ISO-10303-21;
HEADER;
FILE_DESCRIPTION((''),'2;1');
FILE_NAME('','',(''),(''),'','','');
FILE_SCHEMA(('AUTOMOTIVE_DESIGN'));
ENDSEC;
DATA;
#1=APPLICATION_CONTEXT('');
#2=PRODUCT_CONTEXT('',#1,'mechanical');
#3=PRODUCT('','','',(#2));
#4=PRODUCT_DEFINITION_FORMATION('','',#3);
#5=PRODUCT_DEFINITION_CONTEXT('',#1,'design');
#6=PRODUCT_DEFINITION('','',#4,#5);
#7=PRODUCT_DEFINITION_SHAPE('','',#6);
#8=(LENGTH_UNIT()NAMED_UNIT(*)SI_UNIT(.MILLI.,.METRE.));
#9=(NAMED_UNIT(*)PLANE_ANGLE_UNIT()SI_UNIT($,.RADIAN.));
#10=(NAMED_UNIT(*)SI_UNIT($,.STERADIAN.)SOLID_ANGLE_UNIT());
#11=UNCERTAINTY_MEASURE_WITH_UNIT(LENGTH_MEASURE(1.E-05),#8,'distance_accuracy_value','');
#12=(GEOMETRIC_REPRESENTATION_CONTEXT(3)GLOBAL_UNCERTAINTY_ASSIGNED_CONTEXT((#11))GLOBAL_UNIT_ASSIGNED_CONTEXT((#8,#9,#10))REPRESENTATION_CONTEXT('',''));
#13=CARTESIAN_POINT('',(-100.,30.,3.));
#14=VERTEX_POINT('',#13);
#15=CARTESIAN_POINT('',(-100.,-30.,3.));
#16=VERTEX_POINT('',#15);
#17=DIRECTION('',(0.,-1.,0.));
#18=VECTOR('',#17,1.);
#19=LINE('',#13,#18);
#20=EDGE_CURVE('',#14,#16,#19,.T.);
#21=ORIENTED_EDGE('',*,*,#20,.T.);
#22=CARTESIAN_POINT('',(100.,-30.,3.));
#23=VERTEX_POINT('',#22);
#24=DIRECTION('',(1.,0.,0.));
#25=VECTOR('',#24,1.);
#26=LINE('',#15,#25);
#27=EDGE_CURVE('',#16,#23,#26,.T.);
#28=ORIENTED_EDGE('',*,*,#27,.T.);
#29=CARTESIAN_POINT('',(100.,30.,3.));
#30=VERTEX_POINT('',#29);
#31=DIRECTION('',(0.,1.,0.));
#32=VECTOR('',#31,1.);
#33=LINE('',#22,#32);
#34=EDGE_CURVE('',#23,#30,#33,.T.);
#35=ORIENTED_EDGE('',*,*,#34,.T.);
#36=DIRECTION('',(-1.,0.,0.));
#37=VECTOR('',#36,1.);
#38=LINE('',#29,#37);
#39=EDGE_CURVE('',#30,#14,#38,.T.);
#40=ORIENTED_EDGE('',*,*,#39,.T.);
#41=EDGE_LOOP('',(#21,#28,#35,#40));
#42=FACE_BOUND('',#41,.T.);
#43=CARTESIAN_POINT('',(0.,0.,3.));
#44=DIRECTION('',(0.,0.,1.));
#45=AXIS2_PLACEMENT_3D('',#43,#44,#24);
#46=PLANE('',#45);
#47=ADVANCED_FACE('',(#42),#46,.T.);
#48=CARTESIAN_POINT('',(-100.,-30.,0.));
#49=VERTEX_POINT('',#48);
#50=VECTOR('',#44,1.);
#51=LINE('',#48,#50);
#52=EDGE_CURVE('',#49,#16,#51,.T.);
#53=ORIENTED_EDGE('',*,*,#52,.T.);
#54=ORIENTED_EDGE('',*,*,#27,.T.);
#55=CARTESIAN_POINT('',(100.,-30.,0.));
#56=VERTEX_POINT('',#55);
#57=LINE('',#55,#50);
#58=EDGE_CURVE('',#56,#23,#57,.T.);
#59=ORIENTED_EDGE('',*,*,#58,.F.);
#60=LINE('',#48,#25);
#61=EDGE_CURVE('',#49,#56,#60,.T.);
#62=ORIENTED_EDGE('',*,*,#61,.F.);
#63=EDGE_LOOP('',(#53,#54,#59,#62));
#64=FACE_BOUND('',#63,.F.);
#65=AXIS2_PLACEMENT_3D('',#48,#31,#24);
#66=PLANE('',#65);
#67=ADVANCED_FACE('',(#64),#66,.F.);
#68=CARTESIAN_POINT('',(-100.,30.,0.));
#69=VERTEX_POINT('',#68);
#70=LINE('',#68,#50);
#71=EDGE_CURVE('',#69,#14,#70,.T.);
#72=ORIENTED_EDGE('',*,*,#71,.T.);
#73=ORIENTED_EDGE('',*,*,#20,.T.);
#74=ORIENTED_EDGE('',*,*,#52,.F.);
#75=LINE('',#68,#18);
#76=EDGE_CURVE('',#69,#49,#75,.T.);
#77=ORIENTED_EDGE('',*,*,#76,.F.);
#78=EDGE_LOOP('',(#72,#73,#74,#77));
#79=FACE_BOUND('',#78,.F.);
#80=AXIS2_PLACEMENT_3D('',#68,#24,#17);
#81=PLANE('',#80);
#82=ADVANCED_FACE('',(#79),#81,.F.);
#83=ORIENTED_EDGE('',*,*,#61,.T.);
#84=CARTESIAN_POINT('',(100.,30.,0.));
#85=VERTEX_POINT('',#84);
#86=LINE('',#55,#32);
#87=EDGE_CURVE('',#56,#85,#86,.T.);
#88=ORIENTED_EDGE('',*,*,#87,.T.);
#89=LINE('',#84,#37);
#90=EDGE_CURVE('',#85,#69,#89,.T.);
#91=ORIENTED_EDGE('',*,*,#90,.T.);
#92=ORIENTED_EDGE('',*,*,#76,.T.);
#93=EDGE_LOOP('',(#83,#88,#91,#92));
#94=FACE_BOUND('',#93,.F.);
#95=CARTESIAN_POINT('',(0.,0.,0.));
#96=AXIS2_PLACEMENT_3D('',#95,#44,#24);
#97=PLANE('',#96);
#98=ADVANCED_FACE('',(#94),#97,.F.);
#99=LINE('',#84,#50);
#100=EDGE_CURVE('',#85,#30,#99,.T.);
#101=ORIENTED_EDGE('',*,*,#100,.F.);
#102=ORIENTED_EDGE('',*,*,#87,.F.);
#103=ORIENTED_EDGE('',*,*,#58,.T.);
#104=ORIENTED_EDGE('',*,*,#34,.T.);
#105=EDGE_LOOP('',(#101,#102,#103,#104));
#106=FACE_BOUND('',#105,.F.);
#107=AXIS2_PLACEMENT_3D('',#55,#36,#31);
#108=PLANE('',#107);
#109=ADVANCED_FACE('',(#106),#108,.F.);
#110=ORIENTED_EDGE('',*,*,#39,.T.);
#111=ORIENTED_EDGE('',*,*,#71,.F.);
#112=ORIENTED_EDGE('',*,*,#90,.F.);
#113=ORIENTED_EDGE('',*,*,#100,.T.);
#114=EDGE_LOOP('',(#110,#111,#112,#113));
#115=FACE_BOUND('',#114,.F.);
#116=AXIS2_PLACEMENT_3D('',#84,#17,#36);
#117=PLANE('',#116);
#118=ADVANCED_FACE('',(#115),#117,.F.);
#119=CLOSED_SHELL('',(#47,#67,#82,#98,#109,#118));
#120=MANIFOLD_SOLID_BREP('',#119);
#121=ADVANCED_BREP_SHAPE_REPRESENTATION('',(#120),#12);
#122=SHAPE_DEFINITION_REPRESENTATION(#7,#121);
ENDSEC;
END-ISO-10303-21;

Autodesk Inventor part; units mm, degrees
ref_plane "YZ Plane" through (0, 0, 0) normal (1, 0, 0) x (0, 1, 0)
ref_plane "XZ Plane" through (0, 0, 0) normal (0, 1, 0) x (-1, 0, 0)
ref_plane "XY Plane" through (0, 0, 0) normal (0, 0, 1) x (1, 0, 0)
sketch "Sketch1" plane through (0, 0, 0) normal (0, 0, 1) x (1, 0, 0)
  line L0 (-100, -30) -> (100, -30)
  line L1 (100, -30) -> (100, 30)
  line L2 (100, 30) -> (-100, 30)
  line L3 (-100, 30) -> (-100, -30)
  line L4 (-100, -30) -> (100, 30) construction
  line L5 (100, -30) -> (-100, 30) construction
  point P0 (0, 0)
  dimension "d0" = 60
  dimension "d1" = 200
extrude "Extrusion1" add sketch "Sketch1" along normal blind 3
properties part number "AcrylicLogo"
